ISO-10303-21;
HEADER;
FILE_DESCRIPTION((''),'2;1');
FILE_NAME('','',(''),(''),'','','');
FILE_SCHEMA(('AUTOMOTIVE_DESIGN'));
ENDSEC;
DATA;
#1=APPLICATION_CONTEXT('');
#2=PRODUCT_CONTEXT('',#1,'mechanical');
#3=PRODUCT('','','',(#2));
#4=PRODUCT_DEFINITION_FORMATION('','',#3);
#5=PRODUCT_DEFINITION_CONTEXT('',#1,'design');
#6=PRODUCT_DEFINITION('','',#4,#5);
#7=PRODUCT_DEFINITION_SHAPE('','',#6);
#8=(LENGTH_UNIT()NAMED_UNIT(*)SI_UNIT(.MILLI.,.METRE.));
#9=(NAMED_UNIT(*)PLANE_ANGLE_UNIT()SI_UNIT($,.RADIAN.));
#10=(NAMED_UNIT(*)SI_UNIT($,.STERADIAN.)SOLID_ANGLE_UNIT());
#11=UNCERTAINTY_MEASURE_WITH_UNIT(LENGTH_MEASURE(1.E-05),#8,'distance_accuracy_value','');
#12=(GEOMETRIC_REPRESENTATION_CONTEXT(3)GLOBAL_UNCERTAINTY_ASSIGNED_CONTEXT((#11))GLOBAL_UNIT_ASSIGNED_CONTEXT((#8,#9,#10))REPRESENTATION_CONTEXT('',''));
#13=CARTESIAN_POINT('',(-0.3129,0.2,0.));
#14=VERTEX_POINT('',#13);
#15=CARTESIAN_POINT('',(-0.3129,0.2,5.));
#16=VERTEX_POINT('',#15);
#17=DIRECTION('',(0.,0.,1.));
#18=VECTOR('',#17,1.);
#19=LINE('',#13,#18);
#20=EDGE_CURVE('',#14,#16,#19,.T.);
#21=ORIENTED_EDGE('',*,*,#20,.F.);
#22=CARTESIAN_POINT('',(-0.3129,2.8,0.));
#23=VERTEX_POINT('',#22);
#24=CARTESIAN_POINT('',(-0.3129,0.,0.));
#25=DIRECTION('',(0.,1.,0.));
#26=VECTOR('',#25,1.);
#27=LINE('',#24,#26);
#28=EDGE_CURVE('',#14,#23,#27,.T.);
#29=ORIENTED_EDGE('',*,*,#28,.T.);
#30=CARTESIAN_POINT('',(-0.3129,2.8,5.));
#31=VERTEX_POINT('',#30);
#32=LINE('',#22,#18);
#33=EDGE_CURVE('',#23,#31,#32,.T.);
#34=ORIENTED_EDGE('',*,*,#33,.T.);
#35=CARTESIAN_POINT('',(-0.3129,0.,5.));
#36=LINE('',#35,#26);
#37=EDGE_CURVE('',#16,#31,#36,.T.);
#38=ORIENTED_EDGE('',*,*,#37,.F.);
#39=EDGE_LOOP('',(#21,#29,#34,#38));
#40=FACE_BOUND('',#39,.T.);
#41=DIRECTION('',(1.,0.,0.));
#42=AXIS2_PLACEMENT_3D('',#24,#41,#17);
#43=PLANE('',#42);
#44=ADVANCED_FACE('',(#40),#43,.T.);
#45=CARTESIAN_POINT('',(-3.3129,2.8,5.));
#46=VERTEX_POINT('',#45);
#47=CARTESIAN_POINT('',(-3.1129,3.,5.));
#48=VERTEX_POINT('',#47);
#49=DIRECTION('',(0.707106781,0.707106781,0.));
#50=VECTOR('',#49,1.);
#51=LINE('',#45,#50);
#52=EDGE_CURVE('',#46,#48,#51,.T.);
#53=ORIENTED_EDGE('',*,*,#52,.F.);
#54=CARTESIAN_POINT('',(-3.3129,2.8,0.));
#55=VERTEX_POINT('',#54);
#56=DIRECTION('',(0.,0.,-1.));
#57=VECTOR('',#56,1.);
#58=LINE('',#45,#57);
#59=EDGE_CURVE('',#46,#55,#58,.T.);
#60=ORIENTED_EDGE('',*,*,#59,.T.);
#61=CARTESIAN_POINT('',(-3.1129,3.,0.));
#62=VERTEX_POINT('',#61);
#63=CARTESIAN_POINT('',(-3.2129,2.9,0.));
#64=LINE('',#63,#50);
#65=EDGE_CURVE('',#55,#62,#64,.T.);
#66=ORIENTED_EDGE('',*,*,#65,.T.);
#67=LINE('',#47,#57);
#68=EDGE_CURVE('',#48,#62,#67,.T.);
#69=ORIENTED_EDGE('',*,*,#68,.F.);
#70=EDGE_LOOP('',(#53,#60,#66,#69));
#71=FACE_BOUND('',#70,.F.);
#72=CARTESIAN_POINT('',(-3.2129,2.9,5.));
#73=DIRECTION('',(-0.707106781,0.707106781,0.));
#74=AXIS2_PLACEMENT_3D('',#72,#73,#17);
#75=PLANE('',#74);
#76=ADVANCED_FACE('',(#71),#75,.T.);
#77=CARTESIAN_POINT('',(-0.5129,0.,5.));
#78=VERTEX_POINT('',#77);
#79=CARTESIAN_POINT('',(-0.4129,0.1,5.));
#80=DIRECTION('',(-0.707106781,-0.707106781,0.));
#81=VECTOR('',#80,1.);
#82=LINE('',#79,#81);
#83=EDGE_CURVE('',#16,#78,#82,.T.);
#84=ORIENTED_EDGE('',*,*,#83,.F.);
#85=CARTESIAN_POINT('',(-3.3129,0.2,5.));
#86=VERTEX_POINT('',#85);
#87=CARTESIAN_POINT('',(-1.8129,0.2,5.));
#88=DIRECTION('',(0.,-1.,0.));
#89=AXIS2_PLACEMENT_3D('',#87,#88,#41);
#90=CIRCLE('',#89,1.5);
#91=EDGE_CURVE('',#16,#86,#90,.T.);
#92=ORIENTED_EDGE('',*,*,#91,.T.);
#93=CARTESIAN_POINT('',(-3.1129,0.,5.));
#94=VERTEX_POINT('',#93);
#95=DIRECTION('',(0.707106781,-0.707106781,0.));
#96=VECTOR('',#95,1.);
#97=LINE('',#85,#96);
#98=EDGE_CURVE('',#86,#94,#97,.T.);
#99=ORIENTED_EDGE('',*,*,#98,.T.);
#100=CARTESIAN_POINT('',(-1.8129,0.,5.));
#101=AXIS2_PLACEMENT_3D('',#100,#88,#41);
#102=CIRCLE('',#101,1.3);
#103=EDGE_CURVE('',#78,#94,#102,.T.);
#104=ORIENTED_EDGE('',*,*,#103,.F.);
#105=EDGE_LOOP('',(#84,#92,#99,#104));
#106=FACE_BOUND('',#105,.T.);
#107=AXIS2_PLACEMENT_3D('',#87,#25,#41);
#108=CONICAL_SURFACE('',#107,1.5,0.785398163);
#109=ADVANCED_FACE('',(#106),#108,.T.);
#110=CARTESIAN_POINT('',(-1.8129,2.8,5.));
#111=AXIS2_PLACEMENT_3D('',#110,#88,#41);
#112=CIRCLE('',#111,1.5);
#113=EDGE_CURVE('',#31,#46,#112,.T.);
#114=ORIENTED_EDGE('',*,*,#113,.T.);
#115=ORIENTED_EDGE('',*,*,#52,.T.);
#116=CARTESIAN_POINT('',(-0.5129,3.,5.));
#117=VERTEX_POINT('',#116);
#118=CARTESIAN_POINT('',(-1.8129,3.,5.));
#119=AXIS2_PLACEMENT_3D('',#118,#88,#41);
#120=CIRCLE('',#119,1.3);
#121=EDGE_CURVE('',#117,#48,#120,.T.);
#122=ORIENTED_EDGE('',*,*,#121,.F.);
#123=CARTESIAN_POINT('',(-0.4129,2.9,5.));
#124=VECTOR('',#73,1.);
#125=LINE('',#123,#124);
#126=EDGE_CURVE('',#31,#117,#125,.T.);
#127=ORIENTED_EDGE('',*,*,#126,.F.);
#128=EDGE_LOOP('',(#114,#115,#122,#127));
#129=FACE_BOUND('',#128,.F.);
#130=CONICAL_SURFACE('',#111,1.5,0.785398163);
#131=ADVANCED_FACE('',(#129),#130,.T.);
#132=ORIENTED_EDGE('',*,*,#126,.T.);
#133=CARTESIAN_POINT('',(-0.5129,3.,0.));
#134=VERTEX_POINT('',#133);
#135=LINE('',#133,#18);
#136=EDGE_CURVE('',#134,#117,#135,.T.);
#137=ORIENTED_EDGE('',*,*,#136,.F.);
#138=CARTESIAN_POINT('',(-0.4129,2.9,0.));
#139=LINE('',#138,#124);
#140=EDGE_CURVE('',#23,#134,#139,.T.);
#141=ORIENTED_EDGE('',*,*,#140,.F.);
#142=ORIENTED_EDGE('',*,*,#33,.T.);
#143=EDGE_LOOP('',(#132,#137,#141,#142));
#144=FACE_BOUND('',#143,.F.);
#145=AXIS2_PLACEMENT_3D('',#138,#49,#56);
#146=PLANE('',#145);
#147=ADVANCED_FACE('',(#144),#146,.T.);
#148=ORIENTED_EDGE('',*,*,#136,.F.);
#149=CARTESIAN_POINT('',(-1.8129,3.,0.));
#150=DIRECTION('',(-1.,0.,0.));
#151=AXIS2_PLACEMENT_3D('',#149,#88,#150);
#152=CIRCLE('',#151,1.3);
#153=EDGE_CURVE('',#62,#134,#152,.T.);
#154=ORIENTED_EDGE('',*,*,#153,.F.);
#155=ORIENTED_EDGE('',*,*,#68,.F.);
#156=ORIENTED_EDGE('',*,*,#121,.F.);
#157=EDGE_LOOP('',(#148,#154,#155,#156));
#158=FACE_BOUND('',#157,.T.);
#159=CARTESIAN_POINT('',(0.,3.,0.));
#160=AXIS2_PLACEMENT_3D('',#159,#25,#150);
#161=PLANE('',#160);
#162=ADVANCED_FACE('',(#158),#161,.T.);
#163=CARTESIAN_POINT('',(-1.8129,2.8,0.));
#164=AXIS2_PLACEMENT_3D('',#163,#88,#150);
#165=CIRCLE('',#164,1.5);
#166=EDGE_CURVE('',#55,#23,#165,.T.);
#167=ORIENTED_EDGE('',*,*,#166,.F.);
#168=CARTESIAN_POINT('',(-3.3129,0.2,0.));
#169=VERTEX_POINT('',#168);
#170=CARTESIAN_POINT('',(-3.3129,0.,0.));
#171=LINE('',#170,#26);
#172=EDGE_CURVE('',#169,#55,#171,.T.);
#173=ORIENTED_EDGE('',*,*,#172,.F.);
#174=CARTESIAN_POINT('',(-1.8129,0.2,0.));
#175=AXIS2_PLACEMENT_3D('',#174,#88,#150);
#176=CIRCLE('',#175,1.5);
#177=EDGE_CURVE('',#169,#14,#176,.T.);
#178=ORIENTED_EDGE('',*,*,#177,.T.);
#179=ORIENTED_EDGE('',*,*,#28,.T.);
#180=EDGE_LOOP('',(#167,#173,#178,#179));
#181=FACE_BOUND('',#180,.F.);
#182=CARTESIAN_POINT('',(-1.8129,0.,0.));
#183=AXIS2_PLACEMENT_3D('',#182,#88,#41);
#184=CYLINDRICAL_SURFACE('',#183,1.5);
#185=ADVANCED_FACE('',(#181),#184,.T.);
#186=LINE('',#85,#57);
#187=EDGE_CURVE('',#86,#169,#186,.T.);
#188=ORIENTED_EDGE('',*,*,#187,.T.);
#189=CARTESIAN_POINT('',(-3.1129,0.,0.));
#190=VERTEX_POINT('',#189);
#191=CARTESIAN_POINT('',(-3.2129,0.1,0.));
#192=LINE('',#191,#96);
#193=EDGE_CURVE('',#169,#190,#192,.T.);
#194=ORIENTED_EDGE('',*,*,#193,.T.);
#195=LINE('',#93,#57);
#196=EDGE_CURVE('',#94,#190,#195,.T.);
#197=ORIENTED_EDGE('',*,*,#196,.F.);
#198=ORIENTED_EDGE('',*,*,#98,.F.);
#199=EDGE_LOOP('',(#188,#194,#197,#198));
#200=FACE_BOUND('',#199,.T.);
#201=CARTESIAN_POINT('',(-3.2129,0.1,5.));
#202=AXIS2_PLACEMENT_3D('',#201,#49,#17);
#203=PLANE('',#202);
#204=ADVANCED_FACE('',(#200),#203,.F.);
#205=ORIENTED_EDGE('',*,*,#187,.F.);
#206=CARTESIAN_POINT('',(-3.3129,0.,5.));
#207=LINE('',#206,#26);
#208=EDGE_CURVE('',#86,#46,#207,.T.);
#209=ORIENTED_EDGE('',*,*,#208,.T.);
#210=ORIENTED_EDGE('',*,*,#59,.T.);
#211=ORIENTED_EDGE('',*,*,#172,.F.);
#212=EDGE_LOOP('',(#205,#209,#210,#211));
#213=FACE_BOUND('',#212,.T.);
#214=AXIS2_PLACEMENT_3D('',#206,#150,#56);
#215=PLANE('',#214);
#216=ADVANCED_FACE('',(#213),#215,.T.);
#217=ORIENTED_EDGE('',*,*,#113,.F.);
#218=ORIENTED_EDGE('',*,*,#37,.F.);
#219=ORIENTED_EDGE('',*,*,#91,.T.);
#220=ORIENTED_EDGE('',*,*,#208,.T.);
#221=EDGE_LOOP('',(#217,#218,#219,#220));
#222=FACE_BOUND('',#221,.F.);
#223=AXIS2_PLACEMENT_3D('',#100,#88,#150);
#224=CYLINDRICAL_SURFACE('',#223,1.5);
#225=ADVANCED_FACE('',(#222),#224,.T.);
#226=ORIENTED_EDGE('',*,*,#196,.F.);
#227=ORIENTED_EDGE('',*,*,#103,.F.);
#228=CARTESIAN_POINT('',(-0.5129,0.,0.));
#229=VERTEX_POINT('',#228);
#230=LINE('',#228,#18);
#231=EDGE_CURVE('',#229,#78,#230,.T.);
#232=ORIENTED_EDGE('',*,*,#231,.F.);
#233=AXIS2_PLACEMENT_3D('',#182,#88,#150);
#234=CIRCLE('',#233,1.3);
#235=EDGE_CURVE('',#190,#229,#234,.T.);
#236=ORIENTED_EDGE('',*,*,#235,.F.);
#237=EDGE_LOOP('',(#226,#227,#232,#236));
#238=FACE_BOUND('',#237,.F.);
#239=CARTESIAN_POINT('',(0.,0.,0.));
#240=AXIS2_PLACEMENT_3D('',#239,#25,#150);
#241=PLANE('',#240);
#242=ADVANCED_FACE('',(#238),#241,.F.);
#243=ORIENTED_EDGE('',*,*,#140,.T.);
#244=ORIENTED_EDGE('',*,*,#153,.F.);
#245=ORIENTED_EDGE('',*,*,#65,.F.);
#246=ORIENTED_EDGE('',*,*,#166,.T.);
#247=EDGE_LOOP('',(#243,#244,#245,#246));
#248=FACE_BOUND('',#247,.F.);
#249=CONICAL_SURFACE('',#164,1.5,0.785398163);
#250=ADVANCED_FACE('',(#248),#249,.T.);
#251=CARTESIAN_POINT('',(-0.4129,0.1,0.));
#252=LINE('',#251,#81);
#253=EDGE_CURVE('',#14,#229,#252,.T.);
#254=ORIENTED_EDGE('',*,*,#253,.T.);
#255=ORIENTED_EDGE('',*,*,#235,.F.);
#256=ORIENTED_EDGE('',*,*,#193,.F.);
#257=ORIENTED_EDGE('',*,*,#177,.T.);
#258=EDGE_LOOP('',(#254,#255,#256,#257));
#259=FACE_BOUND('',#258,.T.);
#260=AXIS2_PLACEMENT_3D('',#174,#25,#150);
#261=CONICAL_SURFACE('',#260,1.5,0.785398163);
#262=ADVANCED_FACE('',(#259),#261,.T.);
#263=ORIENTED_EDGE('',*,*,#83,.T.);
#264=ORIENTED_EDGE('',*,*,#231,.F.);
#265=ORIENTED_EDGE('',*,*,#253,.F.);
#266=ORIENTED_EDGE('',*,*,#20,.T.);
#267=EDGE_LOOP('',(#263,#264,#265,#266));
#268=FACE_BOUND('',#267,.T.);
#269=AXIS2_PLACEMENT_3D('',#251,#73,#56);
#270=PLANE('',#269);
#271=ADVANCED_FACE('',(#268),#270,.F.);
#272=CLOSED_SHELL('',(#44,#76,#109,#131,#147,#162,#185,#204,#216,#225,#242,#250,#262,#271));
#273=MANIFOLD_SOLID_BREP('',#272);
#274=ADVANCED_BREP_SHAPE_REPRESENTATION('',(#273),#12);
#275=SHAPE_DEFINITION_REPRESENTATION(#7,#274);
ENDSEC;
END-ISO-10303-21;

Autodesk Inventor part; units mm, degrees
ref_plane "YZ Plane" through (0, 0, 0) normal (1, 0, 0) x (0, 1, 0)
ref_plane "XZ Plane" through (0, 0, 0) normal (0, 1, 0) x (-1, 0, 0)
ref_plane "XY Plane" through (0, 0, 0) normal (0, 0, 1) x (1, 0, 0)
sketch "Sketch1" plane through (0, 0, 0) normal (0, 1, 0) x (-1, 0, 0)
  line L0 (0.3129, 0) -> (0.3129, 5)
  line L1 (3.3129, 5) -> (3.3129, 0)
  arc A0 (3.3129, 5) -> (0.3129, 5) centre (1.8129, 5) ccw
  arc A1 (0.3129, 0) -> (3.3129, 0) centre (1.8129, 0) ccw
  point P0 (0, 0)
  dimension "d1" = 5
  dimension "d7" = 3
extrude "Extrusion1" add sketch "Sketch1" along normal blind 3
chamfer "Chamfer1" distance 0.2 angle 45 8 edges at (-0.3129, 3, 2.5) (-1.8129, 3, -1.5) (-1.8129, 3, 6.5) (-3.3129, 3, 2.5) (-0.3129, 0, 2.5) (-1.8129, 0, 6.5) (-3.3129, 0, 2.5) (-1.8129, 0, -1.5)
properties part number "feather_key" material "Stainless Steel"
